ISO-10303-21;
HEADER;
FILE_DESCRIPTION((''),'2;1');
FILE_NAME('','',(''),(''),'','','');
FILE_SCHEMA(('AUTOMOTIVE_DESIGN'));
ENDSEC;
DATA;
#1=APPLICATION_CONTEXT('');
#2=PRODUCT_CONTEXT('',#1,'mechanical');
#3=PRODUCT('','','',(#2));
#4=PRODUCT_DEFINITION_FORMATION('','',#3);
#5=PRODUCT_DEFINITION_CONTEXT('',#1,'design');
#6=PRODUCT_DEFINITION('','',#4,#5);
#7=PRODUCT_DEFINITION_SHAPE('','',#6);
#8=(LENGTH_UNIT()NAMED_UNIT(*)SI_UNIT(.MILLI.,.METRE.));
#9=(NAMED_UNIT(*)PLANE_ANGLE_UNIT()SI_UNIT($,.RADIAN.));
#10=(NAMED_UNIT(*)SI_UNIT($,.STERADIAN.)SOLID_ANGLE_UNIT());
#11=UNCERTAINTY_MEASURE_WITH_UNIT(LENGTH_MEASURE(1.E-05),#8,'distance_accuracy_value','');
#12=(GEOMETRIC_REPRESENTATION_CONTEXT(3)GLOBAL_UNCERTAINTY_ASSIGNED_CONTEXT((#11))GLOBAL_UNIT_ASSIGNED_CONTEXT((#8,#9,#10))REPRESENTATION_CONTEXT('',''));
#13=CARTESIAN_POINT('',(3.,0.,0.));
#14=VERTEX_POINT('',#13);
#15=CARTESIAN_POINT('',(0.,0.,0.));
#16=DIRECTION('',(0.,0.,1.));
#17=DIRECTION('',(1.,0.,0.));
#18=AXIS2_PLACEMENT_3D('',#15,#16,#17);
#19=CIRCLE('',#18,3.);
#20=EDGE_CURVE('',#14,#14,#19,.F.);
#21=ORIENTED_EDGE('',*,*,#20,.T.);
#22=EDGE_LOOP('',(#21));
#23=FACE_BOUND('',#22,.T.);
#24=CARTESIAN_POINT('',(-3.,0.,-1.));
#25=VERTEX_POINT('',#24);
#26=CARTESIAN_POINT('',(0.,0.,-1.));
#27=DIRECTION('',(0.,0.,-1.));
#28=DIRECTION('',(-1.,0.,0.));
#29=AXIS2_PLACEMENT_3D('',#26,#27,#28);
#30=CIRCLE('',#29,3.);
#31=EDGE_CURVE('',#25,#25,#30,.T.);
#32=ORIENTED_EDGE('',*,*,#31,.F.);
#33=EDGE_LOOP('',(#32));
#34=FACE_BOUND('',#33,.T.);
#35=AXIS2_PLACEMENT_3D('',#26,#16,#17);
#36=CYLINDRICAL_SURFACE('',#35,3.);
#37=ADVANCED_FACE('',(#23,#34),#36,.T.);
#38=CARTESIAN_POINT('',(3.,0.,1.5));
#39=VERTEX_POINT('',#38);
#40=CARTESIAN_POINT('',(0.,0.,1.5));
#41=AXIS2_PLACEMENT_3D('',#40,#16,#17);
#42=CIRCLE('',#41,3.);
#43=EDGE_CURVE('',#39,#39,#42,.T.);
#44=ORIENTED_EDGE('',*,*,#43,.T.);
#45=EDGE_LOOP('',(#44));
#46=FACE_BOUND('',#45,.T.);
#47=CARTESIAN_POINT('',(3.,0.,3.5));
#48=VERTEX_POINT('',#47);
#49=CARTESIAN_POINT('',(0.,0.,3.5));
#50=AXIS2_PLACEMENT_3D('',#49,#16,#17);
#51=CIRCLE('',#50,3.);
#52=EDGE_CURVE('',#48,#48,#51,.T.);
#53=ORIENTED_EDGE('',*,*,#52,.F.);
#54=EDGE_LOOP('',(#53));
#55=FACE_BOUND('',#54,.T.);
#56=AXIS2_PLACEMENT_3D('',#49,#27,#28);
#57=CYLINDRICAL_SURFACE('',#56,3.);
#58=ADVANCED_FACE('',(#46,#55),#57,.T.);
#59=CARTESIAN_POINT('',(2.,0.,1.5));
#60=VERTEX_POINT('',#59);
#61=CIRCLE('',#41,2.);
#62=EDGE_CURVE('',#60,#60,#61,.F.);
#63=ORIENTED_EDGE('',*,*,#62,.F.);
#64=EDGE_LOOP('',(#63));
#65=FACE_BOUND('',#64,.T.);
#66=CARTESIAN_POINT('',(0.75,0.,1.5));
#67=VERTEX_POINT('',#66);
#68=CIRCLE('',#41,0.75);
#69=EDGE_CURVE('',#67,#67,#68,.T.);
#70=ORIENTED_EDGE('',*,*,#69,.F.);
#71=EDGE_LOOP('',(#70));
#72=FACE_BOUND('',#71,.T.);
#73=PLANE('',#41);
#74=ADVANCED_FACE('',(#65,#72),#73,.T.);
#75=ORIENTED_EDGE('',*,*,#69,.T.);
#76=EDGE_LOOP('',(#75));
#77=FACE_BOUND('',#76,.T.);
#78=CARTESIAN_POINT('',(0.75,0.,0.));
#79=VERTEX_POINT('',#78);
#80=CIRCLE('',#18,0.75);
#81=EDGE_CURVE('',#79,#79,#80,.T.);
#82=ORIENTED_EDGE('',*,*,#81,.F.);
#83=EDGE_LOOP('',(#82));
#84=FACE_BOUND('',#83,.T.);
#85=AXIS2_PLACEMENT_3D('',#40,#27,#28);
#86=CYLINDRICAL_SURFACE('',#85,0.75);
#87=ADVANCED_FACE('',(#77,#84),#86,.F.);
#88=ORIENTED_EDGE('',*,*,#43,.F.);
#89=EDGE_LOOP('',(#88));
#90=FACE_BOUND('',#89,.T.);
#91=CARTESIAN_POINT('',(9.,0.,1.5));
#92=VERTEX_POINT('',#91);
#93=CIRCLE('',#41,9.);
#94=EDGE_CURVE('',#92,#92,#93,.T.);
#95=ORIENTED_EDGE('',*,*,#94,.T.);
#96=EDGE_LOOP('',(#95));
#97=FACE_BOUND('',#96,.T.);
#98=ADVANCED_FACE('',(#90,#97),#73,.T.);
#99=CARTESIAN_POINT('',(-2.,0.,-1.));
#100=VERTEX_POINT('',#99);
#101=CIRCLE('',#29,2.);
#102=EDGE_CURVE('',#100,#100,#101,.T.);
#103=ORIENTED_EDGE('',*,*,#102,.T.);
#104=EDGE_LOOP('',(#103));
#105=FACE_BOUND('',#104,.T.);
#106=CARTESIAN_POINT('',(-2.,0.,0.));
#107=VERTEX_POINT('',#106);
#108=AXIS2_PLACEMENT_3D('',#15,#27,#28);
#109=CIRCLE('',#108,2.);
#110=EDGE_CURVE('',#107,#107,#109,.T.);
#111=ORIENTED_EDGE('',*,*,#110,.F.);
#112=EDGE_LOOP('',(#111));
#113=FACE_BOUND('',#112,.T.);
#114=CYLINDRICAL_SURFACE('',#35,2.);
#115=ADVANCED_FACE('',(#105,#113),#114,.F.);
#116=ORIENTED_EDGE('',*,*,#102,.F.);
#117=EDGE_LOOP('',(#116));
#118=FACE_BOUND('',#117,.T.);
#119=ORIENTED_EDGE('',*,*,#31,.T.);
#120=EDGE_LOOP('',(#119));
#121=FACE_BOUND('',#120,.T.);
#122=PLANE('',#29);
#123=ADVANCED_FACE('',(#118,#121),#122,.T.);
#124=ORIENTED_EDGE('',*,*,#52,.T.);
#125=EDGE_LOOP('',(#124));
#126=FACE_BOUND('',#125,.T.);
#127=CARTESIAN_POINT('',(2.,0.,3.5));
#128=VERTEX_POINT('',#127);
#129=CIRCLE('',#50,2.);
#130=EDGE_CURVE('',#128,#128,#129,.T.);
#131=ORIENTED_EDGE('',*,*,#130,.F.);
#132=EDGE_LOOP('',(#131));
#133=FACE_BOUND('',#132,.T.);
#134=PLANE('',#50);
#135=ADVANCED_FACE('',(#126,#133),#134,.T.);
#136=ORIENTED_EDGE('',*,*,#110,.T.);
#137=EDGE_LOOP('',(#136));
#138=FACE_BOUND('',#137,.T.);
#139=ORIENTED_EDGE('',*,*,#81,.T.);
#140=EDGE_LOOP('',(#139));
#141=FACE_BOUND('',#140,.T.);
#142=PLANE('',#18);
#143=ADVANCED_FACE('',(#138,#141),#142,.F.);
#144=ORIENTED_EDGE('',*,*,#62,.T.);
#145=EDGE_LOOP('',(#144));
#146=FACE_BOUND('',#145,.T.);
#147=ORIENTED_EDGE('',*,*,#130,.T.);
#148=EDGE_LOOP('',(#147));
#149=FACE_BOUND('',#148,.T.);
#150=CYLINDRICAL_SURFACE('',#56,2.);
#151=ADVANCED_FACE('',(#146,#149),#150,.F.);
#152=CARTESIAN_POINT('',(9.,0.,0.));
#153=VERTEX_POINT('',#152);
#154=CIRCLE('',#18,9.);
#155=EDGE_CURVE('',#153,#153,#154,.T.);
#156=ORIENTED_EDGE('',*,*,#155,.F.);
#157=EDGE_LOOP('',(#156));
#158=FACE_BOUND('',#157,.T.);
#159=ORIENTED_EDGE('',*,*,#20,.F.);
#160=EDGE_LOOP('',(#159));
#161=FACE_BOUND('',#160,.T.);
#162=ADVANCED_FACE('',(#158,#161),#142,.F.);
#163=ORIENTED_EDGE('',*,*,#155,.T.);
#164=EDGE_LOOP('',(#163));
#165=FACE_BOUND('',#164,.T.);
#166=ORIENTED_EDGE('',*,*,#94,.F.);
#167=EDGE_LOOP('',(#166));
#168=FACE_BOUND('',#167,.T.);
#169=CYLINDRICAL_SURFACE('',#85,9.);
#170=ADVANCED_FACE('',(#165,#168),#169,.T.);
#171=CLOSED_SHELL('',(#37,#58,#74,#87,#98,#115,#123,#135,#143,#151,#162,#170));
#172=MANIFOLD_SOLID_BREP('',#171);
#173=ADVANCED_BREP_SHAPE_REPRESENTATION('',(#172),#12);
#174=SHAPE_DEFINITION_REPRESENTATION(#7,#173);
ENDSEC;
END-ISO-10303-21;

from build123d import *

# Parameters (mm, degrees)
SKETCH_1_R      = 9
SKETCH_1_R_2    = 0.75
EXTRUDE_1_DEPTH = 1.5
SKETCH_2_R      = 3
SKETCH_2_R_2    = 2
EXTRUDE_2_DEPTH = 2
EXTRUDE_START   = 1
SKETCH_3_R      = 3
SKETCH_3_R_2    = 2
EXTRUDE_3_DEPTH = 1


with BuildPart() as part:
    # 草图1 → 凸台-拉伸1 (new body)
    with BuildSketch(Plane.XY):
        Circle(SKETCH_1_R)
        Circle(SKETCH_1_R_2, mode=Mode.SUBTRACT)
    extrude(amount=EXTRUDE_1_DEPTH)

    # 草图2 → 凸台-拉伸2 (add)
    with BuildSketch(Plane.XY.offset(1.5)):
        Circle(SKETCH_2_R)
        Circle(SKETCH_2_R_2, mode=Mode.SUBTRACT)
    extrude(amount=EXTRUDE_2_DEPTH)

    # 草图3 → 凸台-拉伸3 (add)
    with BuildSketch(Plane(origin=(0, 0, 0), x_dir=(-1, 0, 0), z_dir=(0, 0, -1)).offset(EXTRUDE_START)):
        with Locations(Location((0, 0, 0), (0, 0, 180))):
            Circle(SKETCH_3_R)
        with Locations(Location((0, 0, 0), (0, 0, 180))):
            Circle(SKETCH_3_R_2, mode=Mode.SUBTRACT)
    extrude(amount=-EXTRUDE_3_DEPTH)


solid = part.part
